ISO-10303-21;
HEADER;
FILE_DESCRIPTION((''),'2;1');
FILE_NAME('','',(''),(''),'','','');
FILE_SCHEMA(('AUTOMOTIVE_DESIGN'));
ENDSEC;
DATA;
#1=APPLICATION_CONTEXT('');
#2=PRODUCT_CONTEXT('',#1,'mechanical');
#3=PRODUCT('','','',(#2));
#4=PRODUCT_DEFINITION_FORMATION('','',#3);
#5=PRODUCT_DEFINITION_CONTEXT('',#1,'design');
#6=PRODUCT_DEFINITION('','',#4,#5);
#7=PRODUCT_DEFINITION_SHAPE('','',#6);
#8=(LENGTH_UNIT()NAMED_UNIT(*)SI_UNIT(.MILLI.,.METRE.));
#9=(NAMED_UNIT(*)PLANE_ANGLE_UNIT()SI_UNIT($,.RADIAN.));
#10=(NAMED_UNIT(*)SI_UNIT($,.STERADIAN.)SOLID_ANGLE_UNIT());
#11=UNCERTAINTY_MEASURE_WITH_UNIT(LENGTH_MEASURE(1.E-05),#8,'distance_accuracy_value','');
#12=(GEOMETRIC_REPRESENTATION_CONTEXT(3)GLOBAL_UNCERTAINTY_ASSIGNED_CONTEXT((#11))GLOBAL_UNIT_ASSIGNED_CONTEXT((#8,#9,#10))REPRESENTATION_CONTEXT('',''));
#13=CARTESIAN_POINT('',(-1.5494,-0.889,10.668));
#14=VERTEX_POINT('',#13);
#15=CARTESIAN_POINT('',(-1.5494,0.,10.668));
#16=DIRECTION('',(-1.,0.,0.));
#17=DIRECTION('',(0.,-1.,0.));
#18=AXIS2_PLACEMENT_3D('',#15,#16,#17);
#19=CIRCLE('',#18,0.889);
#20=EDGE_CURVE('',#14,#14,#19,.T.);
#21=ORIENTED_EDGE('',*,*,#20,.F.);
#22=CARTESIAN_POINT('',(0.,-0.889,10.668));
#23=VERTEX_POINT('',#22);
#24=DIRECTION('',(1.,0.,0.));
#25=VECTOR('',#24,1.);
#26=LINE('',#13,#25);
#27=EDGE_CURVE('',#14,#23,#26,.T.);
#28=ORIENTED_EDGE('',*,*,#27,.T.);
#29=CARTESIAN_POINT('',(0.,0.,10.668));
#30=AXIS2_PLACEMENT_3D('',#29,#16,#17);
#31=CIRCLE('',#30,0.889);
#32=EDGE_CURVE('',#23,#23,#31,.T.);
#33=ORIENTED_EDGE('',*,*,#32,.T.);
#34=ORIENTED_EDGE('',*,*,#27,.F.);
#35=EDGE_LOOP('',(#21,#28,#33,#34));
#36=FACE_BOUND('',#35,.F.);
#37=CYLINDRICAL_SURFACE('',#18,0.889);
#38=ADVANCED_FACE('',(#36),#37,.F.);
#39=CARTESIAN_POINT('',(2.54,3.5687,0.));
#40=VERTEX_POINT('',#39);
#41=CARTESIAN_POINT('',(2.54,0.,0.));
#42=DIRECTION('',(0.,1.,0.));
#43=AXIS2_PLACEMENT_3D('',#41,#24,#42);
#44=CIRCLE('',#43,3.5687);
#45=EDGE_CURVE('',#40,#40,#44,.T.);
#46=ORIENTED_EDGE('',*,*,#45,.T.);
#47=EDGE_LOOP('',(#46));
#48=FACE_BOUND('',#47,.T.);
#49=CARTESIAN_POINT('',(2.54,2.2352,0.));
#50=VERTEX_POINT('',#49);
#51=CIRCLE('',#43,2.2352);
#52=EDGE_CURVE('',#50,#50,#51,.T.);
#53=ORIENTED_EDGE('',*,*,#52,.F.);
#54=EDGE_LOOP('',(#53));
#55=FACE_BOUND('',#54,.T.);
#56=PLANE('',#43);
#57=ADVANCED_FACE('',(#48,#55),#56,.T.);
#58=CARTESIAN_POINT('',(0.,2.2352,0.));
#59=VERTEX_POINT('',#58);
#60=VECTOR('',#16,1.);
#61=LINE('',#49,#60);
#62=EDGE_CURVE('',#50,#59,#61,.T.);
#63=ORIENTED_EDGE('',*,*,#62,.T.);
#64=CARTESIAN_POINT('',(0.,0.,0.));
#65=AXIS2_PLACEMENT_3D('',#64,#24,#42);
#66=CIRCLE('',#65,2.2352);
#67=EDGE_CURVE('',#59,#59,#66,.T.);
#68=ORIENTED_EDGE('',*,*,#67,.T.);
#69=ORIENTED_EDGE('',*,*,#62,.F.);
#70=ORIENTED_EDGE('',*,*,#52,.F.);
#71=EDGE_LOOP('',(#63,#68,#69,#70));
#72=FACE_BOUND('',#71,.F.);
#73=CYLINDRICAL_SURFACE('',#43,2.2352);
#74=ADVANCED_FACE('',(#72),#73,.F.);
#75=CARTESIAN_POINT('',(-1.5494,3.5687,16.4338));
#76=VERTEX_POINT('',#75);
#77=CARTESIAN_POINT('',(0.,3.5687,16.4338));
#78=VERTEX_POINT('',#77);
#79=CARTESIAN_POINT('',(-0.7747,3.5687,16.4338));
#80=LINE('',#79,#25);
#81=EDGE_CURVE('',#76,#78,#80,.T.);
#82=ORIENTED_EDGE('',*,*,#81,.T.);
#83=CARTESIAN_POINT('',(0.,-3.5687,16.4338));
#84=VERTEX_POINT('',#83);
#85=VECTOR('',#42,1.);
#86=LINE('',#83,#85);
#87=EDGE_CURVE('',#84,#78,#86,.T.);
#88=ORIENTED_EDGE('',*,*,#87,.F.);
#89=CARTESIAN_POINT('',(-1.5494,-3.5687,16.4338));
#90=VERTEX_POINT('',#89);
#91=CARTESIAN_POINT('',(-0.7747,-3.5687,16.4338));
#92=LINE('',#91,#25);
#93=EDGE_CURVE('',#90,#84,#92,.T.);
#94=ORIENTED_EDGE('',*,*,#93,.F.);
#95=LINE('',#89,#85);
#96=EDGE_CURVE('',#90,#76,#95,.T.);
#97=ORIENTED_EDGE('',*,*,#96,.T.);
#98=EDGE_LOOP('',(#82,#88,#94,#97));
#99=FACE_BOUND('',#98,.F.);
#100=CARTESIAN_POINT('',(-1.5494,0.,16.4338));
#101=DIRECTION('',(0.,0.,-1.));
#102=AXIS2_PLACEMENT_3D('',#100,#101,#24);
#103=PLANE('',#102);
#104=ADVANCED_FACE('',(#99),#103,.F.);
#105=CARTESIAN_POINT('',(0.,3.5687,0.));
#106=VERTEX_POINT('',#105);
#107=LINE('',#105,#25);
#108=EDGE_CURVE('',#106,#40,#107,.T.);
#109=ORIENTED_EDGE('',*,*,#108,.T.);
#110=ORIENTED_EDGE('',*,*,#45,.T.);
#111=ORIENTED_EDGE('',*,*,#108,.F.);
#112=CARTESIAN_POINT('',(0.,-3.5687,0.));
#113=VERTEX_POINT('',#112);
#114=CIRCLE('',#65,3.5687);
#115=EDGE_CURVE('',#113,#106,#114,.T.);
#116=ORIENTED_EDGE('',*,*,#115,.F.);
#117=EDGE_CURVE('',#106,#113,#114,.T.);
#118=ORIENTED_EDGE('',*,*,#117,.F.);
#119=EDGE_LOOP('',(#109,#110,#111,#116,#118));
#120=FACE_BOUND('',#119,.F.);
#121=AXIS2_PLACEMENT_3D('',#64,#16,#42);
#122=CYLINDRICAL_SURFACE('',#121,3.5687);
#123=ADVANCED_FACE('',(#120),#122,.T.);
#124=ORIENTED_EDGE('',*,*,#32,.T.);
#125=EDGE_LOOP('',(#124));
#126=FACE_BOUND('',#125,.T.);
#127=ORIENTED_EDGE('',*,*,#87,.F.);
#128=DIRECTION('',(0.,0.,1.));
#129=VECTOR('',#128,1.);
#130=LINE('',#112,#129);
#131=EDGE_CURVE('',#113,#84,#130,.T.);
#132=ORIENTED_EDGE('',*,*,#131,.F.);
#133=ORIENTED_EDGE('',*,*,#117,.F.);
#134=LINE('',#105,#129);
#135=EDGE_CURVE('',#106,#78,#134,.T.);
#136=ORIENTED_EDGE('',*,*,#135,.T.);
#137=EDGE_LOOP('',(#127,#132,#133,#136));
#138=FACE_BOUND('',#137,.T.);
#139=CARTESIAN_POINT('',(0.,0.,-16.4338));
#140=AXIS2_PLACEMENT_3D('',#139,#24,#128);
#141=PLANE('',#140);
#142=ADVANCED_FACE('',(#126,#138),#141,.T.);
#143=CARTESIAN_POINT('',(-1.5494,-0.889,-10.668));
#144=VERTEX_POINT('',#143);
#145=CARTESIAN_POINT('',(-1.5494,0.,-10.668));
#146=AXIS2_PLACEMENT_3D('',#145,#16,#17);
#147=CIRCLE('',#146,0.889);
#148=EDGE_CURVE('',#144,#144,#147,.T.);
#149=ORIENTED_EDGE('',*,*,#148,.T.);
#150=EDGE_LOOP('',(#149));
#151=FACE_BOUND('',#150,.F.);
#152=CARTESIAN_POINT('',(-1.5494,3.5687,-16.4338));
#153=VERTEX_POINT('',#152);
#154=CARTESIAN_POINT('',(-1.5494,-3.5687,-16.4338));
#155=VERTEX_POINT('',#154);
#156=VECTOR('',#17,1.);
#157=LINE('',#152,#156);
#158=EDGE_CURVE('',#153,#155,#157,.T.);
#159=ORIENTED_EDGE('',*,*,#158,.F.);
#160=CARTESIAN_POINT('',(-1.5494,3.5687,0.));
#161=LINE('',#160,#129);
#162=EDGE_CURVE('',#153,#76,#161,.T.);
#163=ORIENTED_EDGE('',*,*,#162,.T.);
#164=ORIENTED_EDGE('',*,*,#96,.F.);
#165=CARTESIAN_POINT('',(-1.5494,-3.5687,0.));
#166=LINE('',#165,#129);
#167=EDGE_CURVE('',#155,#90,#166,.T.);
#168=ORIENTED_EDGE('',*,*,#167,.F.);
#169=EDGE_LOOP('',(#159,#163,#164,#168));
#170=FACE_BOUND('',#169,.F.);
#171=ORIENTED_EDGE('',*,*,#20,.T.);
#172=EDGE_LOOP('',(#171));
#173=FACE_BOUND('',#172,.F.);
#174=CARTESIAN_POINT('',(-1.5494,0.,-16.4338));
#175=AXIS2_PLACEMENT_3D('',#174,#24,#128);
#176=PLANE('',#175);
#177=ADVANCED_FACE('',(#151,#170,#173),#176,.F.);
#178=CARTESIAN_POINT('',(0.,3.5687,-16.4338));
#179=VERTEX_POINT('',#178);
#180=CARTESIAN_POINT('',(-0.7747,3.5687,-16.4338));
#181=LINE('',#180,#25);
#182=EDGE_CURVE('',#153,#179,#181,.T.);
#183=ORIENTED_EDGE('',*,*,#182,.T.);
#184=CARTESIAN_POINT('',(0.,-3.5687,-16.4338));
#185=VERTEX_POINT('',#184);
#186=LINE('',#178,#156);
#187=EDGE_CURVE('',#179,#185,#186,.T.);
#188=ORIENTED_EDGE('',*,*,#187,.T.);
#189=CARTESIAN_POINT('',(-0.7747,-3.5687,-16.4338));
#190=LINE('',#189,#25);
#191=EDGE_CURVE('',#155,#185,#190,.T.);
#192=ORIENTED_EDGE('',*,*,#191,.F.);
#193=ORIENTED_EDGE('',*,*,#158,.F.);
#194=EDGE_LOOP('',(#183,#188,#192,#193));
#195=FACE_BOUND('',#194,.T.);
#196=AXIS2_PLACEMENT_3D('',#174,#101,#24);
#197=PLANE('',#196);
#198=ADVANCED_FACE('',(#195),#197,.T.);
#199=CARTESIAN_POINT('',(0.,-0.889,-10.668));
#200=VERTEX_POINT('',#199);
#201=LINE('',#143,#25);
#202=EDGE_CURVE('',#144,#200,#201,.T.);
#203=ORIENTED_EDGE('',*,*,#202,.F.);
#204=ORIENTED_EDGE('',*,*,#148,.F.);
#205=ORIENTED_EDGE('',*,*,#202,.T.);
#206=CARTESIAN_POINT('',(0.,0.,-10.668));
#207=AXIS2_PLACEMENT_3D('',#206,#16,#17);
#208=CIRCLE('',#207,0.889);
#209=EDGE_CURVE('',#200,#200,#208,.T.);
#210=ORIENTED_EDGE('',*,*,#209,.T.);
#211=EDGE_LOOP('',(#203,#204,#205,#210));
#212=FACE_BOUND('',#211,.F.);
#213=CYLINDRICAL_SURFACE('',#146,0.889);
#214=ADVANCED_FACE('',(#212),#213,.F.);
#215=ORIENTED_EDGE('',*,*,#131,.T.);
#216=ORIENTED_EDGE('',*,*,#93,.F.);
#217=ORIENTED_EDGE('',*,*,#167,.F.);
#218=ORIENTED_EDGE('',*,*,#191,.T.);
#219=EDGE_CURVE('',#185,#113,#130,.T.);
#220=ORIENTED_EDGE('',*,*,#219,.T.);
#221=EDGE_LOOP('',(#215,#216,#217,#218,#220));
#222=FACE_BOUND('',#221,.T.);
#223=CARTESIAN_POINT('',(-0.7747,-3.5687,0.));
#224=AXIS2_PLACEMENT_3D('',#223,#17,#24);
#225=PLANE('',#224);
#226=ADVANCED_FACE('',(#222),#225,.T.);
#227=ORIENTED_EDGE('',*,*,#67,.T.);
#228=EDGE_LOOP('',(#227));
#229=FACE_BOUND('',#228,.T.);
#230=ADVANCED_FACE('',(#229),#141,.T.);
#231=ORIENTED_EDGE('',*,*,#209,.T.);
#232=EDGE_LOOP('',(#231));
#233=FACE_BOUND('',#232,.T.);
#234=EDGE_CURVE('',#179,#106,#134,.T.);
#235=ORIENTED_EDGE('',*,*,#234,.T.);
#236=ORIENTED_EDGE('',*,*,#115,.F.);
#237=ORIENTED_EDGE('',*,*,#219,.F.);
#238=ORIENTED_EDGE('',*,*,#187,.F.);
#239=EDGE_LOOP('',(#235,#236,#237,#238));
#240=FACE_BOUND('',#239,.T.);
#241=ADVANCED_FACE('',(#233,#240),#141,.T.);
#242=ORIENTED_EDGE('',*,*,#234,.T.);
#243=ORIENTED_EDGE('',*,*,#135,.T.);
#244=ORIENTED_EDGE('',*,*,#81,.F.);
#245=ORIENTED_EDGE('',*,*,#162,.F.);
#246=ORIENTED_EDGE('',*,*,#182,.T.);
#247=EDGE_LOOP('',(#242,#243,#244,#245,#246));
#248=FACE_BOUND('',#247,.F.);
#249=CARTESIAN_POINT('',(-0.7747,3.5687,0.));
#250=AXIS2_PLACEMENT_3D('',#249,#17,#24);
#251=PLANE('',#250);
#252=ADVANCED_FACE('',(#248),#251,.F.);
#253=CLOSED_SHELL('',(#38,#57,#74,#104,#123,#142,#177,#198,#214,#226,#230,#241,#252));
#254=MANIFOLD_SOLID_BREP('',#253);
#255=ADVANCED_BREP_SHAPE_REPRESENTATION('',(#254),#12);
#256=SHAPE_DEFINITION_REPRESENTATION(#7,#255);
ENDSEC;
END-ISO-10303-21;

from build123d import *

# Parameters (mm, degrees)
F0_R     = 3.5687
F1_DEPTH = 2.54
F2_R     = 2.2352
F3_DEPTH = 2.54
F4_W     = 1.5494
F4_H     = 32.8676
F5_DEPTH = 3.5687
F6_R     = 0.889
F7_DEPTH = 25.4


with BuildPart() as f1:
    # F0 (on Right) → F1 (new body)
    with BuildSketch(Plane.YZ):
        Circle(F0_R)
    extrude(amount=F1_DEPTH)

    # F2 (on face) → F3 (cut)
    with BuildSketch(Plane.YZ.offset(2.54)):
        Circle(F2_R)
    extrude(amount=-F3_DEPTH, mode=Mode.SUBTRACT)

    # F4 (on Front) → F5 (join, symmetric)
    with BuildSketch(Plane.XZ):
        with Locations((-0.7747, 0)):
            Rectangle(F4_W, F4_H)
    extrude(amount=F5_DEPTH, both=True)

    # F6 (on face) → F7 (cut)
    with BuildSketch(Plane(origin=(-1.5494, 0, 0), x_dir=(0, -1, 0), z_dir=(-1, 0, 0))):
        with Locations((0, -10.668)):
            Circle(F6_R)
        with Locations((0, 10.668)):
            Circle(F6_R)
    extrude(amount=-F7_DEPTH, mode=Mode.SUBTRACT)


solid = f1.part
